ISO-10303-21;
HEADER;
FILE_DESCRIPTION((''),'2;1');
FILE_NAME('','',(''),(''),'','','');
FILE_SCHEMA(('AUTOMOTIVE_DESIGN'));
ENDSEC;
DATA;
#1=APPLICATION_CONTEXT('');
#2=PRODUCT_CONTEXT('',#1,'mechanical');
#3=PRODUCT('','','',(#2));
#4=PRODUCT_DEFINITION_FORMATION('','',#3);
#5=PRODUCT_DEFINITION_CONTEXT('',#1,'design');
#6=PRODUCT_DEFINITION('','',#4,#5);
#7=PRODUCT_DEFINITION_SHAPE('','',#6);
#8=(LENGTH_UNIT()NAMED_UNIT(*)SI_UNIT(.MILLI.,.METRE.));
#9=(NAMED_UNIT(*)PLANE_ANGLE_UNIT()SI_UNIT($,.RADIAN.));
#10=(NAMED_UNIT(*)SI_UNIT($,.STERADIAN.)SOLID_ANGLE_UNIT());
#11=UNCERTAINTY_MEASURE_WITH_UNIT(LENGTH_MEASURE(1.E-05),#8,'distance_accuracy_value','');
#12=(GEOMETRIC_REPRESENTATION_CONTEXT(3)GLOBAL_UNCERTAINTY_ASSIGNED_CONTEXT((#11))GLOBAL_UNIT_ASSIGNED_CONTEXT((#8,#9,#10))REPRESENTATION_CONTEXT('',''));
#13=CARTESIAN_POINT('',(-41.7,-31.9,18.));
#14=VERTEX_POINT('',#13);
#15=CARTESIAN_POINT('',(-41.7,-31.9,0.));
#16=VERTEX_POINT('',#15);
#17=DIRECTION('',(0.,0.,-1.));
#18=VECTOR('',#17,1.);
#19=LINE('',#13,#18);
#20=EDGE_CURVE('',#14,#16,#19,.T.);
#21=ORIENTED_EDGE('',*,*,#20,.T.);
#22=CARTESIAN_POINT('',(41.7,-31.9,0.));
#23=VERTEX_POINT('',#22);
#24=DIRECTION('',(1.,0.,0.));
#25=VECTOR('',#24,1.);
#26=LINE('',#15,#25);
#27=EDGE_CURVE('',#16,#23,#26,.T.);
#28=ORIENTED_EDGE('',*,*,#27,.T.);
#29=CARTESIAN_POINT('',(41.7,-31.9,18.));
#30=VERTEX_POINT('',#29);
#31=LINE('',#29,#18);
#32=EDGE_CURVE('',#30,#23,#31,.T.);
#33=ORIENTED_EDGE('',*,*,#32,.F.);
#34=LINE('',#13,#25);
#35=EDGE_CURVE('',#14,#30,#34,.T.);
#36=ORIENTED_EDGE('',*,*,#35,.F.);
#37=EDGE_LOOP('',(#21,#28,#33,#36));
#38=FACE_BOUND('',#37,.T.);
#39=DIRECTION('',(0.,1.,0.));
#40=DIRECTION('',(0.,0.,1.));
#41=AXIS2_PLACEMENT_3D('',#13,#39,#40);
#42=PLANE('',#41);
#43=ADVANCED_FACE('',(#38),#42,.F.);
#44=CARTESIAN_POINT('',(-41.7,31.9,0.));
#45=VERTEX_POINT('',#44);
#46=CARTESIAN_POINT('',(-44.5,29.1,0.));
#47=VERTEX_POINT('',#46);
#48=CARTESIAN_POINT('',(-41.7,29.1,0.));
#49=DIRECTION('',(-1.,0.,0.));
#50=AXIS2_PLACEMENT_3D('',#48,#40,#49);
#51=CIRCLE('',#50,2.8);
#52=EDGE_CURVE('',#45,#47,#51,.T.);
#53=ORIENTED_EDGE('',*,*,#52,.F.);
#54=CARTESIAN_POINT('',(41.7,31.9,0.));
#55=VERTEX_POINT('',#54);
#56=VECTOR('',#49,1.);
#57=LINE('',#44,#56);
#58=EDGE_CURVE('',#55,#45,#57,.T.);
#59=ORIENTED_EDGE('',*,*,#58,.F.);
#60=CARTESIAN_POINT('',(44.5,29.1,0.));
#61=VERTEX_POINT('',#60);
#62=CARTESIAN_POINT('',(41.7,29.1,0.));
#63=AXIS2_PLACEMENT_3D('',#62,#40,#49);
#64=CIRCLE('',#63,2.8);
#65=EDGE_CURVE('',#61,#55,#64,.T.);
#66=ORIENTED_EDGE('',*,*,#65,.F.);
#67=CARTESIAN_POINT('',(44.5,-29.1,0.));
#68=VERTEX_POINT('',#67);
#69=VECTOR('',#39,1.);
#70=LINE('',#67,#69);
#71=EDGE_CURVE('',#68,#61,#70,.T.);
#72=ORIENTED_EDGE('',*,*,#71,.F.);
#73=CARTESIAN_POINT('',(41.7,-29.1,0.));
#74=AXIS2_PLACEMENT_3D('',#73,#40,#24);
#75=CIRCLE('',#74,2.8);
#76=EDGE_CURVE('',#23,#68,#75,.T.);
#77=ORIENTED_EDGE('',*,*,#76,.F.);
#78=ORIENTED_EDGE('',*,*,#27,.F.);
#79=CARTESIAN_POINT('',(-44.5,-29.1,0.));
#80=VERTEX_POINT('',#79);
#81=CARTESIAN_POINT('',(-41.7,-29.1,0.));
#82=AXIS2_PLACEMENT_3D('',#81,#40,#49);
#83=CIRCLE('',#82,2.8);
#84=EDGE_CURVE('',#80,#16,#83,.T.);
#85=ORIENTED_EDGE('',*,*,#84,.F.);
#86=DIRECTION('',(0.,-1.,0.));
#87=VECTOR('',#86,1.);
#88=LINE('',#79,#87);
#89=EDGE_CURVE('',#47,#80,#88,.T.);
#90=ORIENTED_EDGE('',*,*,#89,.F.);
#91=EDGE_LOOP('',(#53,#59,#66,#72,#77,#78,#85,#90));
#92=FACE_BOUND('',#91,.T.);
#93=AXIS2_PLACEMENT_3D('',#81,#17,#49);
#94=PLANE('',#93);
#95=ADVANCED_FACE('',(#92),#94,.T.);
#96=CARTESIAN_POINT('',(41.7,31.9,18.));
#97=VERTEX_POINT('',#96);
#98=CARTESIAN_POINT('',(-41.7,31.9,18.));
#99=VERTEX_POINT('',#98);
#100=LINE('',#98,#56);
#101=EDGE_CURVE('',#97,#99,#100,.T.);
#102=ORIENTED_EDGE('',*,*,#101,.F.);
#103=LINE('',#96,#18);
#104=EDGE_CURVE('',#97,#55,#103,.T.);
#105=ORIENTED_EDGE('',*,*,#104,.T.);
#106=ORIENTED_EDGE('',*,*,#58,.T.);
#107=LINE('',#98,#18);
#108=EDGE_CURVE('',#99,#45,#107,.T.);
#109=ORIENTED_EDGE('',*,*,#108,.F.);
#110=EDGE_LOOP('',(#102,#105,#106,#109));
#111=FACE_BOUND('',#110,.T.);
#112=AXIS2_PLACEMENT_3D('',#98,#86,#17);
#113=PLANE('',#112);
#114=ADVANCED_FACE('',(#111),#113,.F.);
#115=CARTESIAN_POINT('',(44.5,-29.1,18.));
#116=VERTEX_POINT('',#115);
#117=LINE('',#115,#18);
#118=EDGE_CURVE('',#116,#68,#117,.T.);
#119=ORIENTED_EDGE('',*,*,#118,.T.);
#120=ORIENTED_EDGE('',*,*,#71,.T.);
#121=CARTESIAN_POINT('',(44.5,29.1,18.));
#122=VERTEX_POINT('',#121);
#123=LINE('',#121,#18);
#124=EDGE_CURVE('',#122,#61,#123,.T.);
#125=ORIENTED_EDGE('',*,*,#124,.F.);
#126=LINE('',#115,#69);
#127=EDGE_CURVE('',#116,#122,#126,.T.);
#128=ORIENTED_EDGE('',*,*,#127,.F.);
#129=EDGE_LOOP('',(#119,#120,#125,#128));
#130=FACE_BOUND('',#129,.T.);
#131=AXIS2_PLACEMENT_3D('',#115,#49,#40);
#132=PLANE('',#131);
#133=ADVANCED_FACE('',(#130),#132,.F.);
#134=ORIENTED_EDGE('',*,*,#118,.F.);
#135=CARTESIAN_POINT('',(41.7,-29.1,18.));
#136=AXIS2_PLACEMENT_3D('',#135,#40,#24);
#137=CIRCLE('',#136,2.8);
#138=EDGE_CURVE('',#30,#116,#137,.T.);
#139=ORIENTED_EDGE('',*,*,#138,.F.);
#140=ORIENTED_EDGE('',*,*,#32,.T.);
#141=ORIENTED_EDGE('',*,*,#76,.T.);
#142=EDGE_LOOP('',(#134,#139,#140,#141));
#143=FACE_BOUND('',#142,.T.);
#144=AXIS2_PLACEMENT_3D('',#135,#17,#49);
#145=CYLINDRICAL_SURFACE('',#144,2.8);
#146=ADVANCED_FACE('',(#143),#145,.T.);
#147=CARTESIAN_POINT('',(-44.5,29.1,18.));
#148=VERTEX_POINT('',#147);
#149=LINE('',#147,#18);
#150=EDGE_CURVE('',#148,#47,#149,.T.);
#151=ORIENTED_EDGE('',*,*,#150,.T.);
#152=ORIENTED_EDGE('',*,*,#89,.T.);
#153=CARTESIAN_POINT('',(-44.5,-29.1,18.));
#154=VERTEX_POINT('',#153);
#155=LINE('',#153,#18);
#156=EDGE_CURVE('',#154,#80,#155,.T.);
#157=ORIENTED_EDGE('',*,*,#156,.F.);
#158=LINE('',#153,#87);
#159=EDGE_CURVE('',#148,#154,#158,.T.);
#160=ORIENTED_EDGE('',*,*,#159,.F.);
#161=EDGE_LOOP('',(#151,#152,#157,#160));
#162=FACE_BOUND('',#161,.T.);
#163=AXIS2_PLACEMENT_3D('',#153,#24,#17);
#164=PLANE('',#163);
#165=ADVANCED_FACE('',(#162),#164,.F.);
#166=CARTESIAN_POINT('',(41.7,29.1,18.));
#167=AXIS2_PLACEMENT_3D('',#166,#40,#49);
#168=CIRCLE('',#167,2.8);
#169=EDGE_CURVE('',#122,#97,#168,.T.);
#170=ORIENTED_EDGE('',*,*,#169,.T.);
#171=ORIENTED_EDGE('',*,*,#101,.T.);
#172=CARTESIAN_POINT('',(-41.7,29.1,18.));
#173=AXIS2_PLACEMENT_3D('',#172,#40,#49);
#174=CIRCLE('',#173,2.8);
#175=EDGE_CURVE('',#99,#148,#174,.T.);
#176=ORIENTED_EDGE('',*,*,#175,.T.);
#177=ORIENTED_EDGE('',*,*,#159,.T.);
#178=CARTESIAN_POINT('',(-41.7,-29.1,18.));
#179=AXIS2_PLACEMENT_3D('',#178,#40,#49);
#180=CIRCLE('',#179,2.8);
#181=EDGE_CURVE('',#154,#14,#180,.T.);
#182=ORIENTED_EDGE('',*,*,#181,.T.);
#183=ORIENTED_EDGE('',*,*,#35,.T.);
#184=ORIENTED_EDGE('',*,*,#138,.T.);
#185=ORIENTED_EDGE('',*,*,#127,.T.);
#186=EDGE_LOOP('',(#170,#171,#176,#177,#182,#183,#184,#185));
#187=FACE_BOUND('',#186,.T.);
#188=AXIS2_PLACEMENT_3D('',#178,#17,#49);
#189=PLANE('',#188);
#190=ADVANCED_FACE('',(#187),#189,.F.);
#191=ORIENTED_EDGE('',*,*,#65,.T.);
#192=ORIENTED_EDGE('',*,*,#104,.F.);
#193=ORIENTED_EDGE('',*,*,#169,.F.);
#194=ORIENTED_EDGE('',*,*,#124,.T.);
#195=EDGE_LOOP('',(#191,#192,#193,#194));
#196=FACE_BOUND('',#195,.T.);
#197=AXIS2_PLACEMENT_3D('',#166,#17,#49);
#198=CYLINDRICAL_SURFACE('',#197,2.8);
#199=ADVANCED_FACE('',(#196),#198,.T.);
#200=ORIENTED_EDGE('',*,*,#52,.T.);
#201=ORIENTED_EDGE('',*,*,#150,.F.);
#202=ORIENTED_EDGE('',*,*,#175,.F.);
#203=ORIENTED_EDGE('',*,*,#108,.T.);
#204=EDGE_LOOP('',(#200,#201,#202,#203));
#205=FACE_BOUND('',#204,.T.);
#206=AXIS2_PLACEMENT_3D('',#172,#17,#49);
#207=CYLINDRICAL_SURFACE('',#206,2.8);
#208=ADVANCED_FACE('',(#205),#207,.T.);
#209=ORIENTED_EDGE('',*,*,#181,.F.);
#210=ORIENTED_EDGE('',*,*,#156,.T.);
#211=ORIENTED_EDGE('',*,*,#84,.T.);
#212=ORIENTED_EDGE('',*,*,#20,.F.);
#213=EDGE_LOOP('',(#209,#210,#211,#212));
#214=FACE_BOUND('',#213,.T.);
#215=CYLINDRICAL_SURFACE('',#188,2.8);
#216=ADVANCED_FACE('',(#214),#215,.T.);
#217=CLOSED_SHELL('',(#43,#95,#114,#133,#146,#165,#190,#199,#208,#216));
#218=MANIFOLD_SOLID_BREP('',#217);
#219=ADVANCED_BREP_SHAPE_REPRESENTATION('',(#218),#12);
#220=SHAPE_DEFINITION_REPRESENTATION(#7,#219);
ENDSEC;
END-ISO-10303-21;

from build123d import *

# Parameters (mm, degrees)
BOSS_EXTRUDE1_DEPTH = 18


with BuildPart() as part:
    # Sketch1 → Boss-Extrude1 (new body)
    with BuildSketch(Plane.XY):
        with BuildLine():
            Line((-41.7, -31.9), (41.7, -31.9))
            ThreePointArc((41.7, -31.9), (43.679898987, -31.079898987), (44.5, -29.1))
            Line((44.5, -29.1), (44.5, 29.1))
            ThreePointArc((44.5, 29.1), (43.679898987, 31.079898987), (41.7, 31.9))
            Line((41.7, 31.9), (-41.7, 31.9))
            ThreePointArc((-41.7, 31.9), (-43.679898987, 31.079898987), (-44.5, 29.1))
            Line((-44.5, 29.1), (-44.5, -29.1))
            ThreePointArc((-44.5, -29.1), (-43.679898987, -31.079898987), (-41.7, -31.9))
        make_face()
    extrude(amount=BOSS_EXTRUDE1_DEPTH)


solid = part.part
